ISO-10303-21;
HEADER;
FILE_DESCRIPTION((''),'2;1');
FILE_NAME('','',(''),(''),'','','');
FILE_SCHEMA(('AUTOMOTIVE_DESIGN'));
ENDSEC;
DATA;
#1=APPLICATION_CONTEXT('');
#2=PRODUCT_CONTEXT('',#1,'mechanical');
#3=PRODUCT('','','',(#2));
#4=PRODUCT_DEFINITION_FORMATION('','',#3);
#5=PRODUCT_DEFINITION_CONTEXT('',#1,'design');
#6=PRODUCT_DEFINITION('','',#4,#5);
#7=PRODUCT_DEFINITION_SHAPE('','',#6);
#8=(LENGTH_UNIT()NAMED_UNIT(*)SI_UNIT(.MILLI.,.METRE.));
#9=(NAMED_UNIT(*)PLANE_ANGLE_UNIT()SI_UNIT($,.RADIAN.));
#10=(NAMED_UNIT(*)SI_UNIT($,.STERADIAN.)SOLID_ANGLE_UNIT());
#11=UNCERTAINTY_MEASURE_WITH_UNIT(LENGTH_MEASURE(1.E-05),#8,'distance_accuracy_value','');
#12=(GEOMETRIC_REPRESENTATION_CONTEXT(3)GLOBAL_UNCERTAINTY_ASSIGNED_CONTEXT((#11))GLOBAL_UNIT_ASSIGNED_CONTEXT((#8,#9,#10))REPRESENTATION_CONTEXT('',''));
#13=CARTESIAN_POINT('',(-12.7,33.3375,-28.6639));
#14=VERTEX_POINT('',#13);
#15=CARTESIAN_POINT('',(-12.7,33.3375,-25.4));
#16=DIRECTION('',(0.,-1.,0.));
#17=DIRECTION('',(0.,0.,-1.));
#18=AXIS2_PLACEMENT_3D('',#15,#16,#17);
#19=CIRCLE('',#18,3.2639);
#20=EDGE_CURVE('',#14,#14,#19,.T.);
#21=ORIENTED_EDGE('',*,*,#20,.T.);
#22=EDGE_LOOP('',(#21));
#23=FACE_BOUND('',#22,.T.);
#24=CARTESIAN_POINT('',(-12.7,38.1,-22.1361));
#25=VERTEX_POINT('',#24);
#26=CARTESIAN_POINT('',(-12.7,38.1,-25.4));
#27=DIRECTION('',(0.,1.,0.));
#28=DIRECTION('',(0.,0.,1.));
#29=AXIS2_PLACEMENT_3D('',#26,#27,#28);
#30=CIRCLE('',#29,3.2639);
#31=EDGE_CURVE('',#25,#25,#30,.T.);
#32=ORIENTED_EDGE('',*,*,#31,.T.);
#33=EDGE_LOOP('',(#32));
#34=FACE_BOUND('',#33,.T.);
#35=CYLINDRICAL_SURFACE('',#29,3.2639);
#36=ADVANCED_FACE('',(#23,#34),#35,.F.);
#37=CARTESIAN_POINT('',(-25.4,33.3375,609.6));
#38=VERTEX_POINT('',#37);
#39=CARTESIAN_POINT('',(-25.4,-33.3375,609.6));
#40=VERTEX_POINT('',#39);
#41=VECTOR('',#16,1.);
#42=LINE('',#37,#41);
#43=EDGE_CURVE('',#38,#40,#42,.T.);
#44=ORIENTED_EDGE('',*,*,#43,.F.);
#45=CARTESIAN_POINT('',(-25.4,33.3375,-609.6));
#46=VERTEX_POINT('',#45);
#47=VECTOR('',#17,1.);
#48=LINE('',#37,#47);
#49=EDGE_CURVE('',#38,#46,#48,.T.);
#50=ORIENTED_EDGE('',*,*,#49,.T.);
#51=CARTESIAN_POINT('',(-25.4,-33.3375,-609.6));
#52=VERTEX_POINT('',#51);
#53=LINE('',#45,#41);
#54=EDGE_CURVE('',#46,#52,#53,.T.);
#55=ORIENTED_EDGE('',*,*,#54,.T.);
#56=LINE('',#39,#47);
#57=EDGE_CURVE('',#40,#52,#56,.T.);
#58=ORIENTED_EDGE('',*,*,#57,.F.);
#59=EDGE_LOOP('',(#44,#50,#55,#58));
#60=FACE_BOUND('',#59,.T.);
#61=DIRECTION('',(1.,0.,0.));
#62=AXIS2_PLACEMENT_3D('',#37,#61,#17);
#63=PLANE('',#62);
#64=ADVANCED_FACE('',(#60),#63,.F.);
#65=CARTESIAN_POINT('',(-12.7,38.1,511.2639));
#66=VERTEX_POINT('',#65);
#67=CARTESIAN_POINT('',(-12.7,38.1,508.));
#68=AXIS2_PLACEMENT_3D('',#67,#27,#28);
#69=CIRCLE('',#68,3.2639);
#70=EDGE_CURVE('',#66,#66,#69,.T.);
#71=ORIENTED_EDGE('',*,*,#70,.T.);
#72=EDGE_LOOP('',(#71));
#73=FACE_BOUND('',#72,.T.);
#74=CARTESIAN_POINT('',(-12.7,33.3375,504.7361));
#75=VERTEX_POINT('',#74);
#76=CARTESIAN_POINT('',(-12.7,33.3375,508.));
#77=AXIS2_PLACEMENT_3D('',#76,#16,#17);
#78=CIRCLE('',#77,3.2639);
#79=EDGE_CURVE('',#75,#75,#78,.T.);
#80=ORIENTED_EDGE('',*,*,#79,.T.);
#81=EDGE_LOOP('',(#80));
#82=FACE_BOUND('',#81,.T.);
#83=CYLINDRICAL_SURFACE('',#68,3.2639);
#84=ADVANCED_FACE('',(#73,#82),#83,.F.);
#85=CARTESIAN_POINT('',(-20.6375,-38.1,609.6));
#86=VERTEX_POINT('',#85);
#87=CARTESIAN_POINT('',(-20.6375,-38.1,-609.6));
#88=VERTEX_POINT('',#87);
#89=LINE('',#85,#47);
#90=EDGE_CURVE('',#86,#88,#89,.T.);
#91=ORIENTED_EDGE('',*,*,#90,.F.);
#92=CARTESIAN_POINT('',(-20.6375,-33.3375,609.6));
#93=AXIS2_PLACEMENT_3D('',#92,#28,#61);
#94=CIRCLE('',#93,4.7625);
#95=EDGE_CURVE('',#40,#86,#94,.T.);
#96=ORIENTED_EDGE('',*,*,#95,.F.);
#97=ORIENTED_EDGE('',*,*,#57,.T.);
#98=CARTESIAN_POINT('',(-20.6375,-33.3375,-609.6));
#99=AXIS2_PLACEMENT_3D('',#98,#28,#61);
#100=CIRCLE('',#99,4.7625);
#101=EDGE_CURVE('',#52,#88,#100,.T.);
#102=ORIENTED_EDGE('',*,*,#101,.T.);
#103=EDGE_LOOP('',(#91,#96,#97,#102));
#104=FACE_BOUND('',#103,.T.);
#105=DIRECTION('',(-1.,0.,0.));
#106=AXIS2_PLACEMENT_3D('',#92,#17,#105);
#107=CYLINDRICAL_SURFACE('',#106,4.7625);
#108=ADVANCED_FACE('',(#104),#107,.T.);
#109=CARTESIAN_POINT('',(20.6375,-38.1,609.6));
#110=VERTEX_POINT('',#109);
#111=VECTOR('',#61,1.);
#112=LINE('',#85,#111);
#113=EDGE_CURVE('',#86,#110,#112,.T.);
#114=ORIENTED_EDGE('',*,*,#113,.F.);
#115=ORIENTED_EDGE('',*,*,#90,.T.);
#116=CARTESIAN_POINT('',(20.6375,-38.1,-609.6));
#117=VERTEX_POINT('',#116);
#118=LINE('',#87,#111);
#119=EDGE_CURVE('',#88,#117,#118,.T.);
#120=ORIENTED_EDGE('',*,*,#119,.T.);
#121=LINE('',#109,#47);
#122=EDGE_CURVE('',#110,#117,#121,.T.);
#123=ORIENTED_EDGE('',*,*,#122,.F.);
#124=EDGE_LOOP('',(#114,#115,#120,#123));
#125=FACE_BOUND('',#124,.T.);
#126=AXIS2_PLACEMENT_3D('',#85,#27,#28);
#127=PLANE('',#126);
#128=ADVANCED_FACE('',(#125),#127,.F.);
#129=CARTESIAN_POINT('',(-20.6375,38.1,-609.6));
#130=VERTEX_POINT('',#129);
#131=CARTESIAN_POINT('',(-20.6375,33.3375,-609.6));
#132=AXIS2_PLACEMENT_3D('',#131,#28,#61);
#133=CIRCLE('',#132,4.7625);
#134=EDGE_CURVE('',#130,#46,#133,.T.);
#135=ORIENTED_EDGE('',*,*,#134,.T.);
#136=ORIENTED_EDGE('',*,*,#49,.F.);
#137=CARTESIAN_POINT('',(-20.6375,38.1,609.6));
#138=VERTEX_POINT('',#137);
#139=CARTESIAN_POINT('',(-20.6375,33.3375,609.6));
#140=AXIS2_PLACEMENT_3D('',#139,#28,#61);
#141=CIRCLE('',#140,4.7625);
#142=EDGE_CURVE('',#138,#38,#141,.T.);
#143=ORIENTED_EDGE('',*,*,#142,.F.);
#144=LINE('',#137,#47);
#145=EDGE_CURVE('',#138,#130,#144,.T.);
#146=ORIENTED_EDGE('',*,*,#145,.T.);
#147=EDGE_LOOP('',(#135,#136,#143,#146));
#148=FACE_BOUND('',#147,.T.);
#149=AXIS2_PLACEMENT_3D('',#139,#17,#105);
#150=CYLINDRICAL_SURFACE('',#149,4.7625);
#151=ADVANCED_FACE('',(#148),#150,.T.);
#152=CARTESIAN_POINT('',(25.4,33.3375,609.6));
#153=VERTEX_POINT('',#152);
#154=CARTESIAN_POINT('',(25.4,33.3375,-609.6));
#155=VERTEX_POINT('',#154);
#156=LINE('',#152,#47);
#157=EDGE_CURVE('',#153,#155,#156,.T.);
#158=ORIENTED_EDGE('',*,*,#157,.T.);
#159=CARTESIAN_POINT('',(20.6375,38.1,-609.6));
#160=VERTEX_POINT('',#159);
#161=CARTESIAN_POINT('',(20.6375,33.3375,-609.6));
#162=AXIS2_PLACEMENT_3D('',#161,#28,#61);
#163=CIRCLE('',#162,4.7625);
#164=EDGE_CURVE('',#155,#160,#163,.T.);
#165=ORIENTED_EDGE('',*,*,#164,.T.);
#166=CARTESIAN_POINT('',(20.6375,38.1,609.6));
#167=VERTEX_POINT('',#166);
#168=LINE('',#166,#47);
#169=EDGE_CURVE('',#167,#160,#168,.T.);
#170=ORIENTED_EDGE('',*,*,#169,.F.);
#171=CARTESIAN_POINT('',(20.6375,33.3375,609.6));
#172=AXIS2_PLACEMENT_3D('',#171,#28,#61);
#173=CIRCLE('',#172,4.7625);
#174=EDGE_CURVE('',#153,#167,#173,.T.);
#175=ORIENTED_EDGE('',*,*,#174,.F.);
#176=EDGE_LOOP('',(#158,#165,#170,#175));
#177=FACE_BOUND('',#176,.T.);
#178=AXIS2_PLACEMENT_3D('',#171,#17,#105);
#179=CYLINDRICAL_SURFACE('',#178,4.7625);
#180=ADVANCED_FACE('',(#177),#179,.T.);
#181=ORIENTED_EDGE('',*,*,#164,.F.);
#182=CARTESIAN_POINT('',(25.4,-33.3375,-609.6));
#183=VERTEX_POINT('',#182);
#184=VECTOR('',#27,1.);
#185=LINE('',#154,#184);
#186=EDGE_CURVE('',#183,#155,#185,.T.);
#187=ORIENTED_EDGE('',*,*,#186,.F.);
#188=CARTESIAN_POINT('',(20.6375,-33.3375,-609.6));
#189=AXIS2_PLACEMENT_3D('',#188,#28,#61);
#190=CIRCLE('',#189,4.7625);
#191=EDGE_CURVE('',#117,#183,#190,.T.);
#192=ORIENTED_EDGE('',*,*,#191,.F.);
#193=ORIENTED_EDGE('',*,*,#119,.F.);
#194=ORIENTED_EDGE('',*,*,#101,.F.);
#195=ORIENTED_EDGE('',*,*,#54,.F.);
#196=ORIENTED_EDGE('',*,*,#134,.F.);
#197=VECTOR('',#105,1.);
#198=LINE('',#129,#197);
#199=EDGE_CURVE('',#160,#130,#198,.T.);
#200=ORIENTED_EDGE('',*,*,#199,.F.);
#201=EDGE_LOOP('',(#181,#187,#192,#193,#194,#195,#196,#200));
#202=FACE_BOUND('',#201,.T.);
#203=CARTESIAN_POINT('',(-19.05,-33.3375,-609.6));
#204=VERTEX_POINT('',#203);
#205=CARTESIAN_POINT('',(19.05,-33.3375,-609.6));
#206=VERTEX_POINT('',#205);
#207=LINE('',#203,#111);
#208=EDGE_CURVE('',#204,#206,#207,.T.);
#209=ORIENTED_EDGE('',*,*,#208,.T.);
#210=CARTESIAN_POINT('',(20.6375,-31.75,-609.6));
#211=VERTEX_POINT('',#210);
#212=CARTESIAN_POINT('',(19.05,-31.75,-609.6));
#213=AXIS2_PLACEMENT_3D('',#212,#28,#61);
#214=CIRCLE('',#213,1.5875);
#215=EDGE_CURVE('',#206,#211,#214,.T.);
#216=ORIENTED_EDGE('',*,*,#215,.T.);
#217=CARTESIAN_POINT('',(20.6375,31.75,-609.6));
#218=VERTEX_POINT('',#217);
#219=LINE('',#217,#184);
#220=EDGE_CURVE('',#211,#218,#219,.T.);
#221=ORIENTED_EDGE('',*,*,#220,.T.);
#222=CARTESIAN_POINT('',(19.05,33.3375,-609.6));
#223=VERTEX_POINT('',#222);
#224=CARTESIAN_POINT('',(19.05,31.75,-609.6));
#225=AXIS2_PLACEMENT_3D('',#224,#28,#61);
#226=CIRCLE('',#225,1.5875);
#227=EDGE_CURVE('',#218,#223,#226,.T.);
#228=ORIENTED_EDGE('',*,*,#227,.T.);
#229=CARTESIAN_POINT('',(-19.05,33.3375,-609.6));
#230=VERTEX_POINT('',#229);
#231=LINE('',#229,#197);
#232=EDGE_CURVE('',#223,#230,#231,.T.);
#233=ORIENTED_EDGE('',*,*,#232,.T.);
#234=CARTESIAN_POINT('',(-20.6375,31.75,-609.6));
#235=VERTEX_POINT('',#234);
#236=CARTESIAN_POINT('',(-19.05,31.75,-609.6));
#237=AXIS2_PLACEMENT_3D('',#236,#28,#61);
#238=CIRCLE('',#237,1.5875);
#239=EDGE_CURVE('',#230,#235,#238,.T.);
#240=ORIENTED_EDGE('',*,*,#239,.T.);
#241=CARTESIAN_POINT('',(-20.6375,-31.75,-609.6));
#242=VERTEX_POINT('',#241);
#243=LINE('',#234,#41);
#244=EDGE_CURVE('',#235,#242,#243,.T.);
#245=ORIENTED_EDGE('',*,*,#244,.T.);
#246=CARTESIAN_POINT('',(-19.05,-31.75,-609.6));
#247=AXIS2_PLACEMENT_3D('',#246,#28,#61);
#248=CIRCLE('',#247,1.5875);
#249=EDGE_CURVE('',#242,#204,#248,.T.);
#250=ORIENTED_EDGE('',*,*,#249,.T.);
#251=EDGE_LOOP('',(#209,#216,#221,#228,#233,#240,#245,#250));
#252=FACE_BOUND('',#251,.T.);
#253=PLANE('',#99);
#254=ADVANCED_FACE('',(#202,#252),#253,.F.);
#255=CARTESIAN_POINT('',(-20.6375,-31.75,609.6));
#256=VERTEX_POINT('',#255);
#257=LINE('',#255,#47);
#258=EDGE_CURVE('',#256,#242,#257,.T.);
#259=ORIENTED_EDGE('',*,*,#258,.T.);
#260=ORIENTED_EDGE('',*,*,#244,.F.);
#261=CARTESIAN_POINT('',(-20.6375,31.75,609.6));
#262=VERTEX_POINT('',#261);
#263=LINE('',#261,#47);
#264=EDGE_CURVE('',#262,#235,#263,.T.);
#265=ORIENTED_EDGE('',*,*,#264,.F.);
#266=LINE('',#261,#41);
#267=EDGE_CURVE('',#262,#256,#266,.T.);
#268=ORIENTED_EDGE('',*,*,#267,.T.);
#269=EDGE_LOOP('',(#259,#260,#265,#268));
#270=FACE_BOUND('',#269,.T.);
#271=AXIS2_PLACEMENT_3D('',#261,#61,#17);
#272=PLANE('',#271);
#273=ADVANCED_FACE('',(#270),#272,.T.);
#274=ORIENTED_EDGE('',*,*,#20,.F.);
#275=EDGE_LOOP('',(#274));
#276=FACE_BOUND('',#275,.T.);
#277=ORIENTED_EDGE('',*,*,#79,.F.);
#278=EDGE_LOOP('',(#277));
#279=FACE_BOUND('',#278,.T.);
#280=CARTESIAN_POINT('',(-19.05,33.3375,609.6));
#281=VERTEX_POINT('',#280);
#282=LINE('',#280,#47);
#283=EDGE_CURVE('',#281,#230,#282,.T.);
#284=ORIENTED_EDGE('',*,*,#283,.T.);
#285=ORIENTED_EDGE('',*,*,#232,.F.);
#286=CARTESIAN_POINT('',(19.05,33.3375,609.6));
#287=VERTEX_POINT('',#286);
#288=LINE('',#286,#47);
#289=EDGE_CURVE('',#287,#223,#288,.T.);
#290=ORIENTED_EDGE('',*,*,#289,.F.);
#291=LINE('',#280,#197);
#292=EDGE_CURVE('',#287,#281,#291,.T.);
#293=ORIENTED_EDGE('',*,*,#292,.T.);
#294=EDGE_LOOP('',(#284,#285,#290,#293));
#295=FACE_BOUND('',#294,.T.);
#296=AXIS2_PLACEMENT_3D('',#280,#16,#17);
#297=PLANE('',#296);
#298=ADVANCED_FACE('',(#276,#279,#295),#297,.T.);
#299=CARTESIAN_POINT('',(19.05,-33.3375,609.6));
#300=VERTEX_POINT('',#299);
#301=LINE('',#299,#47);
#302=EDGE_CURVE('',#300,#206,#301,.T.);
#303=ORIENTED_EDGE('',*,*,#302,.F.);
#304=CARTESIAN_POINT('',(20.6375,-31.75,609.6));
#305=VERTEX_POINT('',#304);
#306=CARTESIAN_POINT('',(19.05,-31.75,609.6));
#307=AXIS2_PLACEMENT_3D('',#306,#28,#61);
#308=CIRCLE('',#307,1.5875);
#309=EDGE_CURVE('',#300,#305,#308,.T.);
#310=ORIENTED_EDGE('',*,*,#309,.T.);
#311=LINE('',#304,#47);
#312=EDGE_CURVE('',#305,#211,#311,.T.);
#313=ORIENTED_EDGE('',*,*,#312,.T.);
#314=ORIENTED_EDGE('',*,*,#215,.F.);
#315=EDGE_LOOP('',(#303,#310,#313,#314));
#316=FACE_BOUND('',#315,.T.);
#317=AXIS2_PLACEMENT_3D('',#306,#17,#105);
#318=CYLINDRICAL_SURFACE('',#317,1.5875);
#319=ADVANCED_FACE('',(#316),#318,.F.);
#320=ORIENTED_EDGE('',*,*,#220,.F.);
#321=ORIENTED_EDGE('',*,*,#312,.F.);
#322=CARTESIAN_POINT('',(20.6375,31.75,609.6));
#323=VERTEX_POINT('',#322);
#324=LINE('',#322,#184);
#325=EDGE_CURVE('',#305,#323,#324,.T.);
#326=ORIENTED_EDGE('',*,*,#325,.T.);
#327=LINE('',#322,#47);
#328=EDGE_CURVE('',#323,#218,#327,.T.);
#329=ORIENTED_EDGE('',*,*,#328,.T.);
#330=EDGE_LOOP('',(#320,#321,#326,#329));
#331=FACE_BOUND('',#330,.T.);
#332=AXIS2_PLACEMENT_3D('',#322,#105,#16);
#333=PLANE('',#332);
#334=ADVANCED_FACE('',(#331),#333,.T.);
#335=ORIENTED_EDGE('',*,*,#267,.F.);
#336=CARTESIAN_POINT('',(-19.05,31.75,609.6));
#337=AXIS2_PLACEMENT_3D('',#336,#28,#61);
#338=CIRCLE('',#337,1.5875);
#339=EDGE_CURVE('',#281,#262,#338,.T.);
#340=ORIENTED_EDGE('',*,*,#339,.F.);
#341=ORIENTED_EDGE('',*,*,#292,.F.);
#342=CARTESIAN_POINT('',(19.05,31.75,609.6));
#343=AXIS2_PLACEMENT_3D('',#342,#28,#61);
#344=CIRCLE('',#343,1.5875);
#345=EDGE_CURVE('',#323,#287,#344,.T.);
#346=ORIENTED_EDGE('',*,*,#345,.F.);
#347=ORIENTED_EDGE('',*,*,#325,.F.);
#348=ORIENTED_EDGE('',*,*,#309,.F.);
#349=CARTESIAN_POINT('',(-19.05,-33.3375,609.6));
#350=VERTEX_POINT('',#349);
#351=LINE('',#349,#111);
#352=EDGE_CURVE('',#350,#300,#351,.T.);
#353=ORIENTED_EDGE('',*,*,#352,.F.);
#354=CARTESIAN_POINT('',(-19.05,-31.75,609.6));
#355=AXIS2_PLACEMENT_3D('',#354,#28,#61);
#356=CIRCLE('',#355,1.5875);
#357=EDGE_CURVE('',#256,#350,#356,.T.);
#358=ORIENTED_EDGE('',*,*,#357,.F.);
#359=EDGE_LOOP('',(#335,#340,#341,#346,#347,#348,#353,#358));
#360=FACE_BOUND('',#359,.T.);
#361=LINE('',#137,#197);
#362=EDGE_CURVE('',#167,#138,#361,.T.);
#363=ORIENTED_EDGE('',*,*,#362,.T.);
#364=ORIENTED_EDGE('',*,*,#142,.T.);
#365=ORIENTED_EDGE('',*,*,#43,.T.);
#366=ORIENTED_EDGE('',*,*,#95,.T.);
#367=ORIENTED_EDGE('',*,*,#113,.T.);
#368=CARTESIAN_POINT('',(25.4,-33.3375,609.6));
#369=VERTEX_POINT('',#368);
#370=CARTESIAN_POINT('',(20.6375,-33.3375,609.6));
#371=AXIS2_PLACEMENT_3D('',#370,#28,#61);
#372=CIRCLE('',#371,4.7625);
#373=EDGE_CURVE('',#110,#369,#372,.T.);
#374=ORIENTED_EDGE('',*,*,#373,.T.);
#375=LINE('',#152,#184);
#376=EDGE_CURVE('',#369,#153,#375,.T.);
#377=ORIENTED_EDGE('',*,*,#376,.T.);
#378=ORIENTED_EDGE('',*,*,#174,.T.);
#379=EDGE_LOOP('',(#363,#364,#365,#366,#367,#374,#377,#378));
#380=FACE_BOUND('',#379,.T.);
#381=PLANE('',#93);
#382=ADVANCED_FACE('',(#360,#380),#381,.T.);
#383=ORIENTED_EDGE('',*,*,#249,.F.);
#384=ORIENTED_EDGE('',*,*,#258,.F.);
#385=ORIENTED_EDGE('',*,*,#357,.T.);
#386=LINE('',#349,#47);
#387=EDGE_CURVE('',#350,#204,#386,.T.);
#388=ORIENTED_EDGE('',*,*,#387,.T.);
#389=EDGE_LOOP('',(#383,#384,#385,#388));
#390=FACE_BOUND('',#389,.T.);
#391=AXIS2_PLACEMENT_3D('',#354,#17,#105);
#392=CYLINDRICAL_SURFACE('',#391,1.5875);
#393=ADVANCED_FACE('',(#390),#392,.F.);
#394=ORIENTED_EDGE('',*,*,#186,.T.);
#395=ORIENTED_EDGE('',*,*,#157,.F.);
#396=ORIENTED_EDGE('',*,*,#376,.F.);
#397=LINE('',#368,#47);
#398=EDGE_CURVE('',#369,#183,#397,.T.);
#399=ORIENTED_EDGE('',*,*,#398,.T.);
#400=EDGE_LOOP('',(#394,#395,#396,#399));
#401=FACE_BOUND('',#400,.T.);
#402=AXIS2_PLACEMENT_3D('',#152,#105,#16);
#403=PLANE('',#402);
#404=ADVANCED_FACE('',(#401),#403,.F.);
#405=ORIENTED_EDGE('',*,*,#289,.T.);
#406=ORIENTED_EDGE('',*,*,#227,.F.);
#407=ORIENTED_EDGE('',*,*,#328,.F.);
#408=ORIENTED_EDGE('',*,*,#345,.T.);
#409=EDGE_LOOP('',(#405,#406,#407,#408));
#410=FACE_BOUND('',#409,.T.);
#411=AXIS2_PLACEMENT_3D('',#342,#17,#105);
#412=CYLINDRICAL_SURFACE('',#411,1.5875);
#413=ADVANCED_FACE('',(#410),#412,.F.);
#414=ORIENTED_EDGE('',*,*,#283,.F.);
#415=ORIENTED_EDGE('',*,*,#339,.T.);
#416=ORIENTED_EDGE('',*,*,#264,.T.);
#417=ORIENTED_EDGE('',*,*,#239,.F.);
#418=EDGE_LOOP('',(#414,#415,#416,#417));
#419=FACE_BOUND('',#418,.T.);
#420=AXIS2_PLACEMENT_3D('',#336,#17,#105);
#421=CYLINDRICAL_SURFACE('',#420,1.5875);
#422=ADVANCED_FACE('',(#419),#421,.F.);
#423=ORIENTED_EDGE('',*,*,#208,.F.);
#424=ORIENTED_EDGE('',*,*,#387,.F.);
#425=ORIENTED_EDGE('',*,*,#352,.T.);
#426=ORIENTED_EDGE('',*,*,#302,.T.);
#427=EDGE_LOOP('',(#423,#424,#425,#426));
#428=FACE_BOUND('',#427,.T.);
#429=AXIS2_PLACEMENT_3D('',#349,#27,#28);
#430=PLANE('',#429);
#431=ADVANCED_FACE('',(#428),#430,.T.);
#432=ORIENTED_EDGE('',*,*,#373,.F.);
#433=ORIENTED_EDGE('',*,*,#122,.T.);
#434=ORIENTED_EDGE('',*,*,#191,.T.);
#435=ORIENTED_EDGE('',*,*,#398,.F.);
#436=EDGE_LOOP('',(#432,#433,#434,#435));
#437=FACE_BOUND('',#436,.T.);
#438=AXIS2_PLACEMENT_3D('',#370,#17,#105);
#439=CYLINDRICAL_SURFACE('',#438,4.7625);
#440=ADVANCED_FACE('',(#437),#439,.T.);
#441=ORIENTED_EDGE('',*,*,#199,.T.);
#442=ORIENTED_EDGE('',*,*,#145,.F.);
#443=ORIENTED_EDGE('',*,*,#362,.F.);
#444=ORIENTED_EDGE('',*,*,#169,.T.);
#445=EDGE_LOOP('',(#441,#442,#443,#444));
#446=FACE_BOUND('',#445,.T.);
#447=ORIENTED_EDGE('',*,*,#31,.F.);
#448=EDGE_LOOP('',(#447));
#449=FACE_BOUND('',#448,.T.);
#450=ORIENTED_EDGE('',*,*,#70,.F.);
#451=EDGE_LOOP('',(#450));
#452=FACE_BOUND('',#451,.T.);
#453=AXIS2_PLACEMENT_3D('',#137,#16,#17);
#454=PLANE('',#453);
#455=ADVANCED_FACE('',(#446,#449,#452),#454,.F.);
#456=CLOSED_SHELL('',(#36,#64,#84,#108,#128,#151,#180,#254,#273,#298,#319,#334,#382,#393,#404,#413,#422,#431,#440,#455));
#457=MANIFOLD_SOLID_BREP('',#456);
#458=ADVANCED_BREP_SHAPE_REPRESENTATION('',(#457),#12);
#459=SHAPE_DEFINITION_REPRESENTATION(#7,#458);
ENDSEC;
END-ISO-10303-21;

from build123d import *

# Parameters (mm, degrees)
BOSS_EXTRUDE1_DEPTH          = 609.6
F_5_16_18_TAPPED_HOLE1_D     = 6.5278
F_5_16_18_TAPPED_HOLE1_DEPTH = 4.7625


with BuildPart() as part:
    # Sketch1 → Boss-Extrude1 (new body, symmetric)
    with BuildSketch(Plane.XY):
        with BuildLine():
            Line((-20.6375, 38.1), (20.6375, 38.1))
            ThreePointArc((20.6375, 38.1), (24.005096045, 36.705096045), (25.4, 33.3375))
            Line((25.4, 33.3375), (25.4, -33.3375))
            ThreePointArc((25.4, -33.3375), (24.005096045, -36.705096045), (20.6375, -38.1))
            Line((20.6375, -38.1), (-20.6375, -38.1))
            ThreePointArc((-20.6375, -38.1), (-24.005096045, -36.705096045), (-25.4, -33.3375))
            Line((-25.4, -33.3375), (-25.4, 33.3375))
            ThreePointArc((-25.4, 33.3375), (-24.005096045, 36.705096045), (-20.6375, 38.1))
        make_face()
        with BuildLine():
            Line((-19.05, 33.3375), (19.05, 33.3375))
            ThreePointArc((19.05, 33.3375), (20.172532015, 32.872532015), (20.6375, 31.75))
            Line((20.6375, 31.75), (20.6375, -31.75))
            ThreePointArc((20.6375, -31.75), (20.172532015, -32.872532015), (19.05, -33.3375))
            Line((19.05, -33.3375), (-19.05, -33.3375))
            ThreePointArc((-19.05, -33.3375), (-20.172532015, -32.872532015), (-20.6375, -31.75))
            Line((-20.6375, -31.75), (-20.6375, 31.75))
            ThreePointArc((-20.6375, 31.75), (-20.172532015, 32.872532015), (-19.05, 33.3375))
        make_face(mode=Mode.SUBTRACT)
    extrude(amount=BOSS_EXTRUDE1_DEPTH, both=True)

    # 5/16-18 Tapped Hole1
    with Locations(Plane(origin=(0, 38.1, 0), x_dir=(1, 0, 0), z_dir=(0, 1, 0))):
        with Locations((-12.7, -508), (-12.7, 25.4)):
            Hole(F_5_16_18_TAPPED_HOLE1_D / 2, depth=F_5_16_18_TAPPED_HOLE1_DEPTH)


solid = part.part
